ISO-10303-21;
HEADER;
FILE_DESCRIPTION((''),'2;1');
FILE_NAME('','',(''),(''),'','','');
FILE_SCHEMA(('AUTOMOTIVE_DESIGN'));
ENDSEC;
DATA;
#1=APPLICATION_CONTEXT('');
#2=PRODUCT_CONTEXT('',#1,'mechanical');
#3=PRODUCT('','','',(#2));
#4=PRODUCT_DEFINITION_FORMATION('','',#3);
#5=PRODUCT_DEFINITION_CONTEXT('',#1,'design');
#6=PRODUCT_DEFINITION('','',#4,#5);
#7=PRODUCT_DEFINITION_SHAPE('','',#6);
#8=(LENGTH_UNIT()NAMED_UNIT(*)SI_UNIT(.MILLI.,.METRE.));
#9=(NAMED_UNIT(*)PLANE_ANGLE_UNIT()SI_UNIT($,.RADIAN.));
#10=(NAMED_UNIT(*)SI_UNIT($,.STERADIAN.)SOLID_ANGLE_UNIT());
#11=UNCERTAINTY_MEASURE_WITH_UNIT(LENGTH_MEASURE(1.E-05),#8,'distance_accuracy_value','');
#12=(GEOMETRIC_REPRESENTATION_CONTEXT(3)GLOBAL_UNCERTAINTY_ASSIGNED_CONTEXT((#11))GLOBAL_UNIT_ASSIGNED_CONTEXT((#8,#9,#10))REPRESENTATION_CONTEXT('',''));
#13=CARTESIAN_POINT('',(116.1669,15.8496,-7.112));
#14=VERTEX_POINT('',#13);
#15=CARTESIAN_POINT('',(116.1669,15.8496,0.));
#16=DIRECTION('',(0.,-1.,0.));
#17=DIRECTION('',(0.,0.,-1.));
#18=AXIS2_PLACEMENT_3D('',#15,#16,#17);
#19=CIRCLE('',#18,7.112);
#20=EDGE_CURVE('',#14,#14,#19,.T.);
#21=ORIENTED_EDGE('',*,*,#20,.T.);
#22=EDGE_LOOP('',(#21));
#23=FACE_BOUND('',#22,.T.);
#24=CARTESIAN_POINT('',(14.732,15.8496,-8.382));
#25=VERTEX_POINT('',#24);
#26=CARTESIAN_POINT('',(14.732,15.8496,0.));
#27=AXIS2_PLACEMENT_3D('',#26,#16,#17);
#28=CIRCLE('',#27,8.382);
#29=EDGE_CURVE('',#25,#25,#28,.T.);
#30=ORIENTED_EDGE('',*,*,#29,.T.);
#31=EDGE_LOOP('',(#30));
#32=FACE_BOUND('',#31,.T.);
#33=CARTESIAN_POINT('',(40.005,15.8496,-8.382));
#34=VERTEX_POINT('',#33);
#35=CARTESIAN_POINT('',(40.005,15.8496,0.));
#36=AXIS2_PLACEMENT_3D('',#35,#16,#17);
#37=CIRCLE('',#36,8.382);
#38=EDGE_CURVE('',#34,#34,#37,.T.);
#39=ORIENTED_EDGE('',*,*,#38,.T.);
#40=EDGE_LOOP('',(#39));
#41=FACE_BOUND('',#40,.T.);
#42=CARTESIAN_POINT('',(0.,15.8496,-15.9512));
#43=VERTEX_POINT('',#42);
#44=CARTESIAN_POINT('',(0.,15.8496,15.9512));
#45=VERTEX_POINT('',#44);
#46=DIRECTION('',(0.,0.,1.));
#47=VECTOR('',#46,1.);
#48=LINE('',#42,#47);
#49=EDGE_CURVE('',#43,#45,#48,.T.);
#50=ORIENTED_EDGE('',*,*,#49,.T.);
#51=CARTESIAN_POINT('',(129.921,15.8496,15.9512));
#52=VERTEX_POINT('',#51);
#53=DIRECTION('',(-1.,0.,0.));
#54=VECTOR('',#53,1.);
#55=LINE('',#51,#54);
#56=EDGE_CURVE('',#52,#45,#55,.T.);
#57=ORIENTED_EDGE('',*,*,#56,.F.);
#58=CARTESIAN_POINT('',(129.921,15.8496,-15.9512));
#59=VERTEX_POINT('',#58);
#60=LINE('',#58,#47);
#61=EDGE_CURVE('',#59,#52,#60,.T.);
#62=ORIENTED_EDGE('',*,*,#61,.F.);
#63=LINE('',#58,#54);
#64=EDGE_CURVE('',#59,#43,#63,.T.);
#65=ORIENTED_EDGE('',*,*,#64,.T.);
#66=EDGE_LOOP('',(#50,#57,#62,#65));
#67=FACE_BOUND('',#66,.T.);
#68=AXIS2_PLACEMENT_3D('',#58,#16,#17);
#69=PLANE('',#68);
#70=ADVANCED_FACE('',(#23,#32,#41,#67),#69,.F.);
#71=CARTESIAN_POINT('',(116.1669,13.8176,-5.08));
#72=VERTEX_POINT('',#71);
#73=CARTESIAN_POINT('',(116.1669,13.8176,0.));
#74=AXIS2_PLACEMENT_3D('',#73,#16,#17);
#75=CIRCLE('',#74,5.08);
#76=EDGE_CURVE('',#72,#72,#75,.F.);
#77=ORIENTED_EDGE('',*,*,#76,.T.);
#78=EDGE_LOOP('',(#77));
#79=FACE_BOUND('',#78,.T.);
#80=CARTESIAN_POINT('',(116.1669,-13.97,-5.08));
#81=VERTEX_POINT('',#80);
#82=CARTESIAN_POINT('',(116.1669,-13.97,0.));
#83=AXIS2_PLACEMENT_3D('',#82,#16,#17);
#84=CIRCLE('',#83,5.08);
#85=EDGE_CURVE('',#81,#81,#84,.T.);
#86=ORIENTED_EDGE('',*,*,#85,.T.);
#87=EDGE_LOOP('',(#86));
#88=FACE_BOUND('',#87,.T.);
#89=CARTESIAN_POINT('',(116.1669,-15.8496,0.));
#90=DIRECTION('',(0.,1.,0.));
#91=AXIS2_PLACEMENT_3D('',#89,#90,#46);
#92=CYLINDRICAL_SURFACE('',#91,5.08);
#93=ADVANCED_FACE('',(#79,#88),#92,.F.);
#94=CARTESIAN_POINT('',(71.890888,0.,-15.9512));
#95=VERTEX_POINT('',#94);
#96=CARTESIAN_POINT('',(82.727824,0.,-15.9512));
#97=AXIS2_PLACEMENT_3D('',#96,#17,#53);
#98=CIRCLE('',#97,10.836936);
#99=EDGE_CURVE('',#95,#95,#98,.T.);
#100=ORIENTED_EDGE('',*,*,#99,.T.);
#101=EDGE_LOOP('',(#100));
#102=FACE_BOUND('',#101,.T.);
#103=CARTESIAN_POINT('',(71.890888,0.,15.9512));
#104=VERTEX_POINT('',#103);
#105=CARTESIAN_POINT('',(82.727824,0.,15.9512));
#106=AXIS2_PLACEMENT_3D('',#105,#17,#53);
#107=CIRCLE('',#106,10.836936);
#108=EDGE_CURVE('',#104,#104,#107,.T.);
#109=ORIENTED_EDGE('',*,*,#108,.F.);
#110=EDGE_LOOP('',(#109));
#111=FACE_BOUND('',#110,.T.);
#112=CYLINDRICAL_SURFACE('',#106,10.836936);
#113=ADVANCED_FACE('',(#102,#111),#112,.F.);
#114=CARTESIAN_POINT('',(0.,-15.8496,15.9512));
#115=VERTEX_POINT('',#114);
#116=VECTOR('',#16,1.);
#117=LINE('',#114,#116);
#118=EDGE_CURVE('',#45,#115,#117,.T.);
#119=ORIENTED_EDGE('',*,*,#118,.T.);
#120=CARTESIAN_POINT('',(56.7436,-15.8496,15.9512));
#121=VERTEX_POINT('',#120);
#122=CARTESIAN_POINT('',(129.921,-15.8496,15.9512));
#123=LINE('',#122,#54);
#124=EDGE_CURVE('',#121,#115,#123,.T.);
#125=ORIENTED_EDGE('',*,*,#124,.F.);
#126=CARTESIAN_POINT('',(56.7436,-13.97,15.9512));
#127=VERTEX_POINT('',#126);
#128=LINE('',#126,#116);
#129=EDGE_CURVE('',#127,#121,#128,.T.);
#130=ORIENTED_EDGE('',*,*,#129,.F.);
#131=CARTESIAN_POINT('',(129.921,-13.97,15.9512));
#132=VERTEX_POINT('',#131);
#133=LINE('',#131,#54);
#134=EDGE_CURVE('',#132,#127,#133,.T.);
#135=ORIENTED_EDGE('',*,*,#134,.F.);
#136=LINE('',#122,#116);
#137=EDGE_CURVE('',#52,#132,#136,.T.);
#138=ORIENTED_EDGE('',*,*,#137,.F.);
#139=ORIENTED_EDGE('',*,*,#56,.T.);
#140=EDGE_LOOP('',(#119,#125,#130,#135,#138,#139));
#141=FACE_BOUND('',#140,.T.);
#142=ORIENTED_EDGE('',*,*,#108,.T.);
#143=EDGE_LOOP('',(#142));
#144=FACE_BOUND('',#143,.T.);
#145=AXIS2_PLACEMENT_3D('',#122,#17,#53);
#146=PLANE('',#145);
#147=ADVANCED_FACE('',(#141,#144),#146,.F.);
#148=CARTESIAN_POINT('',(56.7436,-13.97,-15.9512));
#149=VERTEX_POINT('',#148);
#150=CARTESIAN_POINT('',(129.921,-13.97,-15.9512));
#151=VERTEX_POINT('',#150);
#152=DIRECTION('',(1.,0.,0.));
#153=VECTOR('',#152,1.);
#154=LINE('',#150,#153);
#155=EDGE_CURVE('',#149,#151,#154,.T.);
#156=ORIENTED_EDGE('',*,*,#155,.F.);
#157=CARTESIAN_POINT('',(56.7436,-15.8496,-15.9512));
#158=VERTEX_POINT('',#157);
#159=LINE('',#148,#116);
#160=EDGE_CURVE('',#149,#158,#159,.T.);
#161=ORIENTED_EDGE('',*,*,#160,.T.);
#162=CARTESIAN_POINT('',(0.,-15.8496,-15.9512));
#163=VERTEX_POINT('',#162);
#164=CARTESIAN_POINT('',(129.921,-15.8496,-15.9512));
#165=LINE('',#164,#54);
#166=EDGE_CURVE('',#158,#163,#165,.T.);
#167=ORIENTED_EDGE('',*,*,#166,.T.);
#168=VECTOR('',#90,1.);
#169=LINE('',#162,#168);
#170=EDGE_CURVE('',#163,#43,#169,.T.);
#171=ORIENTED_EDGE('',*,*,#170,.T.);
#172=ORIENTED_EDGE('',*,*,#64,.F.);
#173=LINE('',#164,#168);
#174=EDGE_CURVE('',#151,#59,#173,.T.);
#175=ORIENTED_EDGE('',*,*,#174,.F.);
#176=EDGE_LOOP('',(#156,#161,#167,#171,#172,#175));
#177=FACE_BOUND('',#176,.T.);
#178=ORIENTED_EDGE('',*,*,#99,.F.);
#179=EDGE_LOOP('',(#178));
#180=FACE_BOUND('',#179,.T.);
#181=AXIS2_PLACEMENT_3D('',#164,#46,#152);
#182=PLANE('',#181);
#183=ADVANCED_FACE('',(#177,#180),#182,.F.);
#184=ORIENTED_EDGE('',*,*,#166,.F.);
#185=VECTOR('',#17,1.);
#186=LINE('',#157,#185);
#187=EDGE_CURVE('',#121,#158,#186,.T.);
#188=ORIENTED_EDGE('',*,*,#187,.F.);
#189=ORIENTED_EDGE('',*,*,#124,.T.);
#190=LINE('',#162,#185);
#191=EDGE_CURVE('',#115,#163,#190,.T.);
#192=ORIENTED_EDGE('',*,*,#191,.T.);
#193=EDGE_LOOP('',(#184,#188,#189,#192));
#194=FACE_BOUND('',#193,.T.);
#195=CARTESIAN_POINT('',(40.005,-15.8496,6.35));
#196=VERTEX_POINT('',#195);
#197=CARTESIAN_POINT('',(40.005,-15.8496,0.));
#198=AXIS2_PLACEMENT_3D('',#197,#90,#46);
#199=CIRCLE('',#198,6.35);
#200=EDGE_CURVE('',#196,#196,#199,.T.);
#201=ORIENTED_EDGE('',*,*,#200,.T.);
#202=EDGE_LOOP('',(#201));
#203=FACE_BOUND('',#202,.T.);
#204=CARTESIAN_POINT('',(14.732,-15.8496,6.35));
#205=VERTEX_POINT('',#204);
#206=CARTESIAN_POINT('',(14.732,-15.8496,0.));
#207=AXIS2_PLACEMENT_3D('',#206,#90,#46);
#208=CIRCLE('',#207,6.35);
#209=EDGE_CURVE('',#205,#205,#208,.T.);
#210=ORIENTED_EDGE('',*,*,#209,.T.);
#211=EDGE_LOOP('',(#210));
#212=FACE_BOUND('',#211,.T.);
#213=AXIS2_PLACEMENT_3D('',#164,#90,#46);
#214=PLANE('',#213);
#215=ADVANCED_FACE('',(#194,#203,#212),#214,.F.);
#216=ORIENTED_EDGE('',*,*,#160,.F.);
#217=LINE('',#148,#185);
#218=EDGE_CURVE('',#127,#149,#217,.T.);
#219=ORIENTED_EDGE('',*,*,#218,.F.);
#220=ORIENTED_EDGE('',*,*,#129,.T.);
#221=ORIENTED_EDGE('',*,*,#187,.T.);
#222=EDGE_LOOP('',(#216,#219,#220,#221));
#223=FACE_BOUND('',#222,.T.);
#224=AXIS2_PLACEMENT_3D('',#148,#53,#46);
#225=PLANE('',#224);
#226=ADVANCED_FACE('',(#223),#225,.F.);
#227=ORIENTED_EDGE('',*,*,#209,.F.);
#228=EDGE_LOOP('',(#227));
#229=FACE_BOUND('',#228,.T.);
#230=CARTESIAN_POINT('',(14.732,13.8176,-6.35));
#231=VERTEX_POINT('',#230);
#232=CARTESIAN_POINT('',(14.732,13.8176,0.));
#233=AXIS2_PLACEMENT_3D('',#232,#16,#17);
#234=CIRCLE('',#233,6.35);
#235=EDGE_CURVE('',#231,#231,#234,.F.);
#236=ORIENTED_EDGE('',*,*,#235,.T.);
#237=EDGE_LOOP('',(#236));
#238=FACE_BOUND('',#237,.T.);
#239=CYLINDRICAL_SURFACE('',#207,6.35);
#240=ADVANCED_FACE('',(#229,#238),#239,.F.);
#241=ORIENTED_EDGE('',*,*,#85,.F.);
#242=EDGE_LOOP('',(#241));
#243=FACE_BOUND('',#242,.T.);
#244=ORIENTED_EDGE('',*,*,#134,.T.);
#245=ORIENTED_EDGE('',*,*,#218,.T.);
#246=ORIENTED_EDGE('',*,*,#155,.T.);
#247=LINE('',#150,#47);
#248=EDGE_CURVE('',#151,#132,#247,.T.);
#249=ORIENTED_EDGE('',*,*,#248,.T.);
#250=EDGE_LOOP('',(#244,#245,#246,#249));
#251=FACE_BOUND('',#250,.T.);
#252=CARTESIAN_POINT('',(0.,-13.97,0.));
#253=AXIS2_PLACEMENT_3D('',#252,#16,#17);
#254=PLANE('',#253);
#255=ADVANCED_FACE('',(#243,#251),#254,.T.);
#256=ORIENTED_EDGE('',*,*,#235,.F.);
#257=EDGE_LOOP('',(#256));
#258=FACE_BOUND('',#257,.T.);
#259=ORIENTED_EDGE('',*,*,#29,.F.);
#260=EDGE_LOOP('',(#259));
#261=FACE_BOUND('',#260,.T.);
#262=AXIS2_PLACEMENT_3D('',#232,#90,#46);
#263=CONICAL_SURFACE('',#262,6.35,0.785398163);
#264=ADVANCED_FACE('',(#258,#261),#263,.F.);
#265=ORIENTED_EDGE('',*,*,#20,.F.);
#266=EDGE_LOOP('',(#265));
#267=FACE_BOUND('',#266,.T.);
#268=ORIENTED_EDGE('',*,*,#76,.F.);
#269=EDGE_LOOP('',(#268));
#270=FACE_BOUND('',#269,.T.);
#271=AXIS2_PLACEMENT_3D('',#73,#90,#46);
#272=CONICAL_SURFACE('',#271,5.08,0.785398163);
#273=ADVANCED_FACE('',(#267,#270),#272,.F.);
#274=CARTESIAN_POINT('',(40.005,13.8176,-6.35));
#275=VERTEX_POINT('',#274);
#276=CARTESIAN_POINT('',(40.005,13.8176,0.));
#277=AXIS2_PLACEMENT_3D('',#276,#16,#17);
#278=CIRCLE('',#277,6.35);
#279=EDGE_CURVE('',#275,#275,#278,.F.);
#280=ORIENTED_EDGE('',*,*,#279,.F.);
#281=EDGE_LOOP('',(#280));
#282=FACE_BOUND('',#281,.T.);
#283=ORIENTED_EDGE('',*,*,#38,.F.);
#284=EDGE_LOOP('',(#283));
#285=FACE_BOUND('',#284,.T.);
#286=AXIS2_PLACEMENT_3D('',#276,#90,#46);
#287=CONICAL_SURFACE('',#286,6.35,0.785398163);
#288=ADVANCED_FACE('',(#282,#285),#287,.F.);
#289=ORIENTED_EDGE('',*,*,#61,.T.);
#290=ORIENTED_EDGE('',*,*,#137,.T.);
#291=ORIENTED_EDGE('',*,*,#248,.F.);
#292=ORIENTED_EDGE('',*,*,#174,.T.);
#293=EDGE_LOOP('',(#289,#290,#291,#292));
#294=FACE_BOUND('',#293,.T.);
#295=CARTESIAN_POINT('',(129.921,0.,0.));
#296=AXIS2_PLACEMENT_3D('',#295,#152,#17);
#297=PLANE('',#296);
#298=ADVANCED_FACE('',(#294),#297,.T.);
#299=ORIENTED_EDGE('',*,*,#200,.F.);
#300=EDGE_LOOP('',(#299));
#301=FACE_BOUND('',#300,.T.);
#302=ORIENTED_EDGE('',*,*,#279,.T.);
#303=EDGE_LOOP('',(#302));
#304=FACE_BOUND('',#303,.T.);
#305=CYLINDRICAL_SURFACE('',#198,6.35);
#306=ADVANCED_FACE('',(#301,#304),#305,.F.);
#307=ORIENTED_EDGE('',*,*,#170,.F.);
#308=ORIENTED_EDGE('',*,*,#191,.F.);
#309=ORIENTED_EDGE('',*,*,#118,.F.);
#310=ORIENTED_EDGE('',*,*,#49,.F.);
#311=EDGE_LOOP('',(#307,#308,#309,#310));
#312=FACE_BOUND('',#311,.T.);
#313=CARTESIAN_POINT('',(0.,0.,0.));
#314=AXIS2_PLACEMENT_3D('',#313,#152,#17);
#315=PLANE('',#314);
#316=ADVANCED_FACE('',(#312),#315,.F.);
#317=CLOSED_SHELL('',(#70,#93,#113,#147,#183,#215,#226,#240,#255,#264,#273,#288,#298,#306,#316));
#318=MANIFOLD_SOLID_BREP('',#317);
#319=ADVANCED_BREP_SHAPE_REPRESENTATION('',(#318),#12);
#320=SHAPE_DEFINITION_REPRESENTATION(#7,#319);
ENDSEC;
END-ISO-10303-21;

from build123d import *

# Parameters (mm, degrees)
SKETCH1_W           = 31.9024
SKETCH1_H           = 31.6992
BOSS_EXTRUDE1_DEPTH = 129.921
SKETCH2_W           = 73.1774
SKETCH2_H           = 31.9024
CUT_EXTRUDE1_DEPTH  = 1.8796
SKETCH4_R           = 6.35
SKETCH4_R_2         = 5.08
CUT_EXTRUDE2_DEPTH  = 135.68016299
CHAMFER2_SIZE       = 2.032
SKETCH9_R           = 10.836935607
CUT_EXTRUDE3_DEPTH  = 135.716143008


with BuildPart() as part:
    # Sketch1 → Boss-Extrude1 (new body)
    with BuildSketch(Plane(origin=(0, 0, 0), x_dir=(0, 0, -1), z_dir=(1, 0, 0))):
        Rectangle(SKETCH1_W, SKETCH1_H)
    extrude(amount=BOSS_EXTRUDE1_DEPTH)

    # Sketch2 → Cut-Extrude1 (cut)
    with BuildSketch(Plane.XZ.offset(15.8496)):
        with Locations((93.3323, 0)):
            Rectangle(SKETCH2_W, SKETCH2_H)
    extrude(amount=-CUT_EXTRUDE1_DEPTH, mode=Mode.SUBTRACT)

    # Sketch4 → Cut-Extrude2 (cut, through all)
    with BuildSketch(Plane(origin=(0, 15.8496, 0), x_dir=(1, 0, 0), z_dir=(0, 1, 0))):
        with Locations(Location((40.005, 0, 0), (0, 0, 270))):
            Circle(SKETCH4_R)
        with Locations(Location((14.732, 0, 0), (0, 0, 270))):
            Circle(SKETCH4_R)
        with Locations(Location((116.1669, 0, 0), (0, 0, 270))):
            Circle(SKETCH4_R_2)
    extrude(amount=-CUT_EXTRUDE2_DEPTH, mode=Mode.SUBTRACT)

    # Chamfer2
    chamfer2_edges = [part.edges().sort_by_distance(p)[0] for p in [
        (116.1669, 15.8496, -5.08),
        (14.732, 15.8496, -6.35),
        (40.005, 15.8496, -6.35),
    ]]
    chamfer(chamfer2_edges, length=CHAMFER2_SIZE)

    # Sketch9 → Cut-Extrude3 (cut, through all)
    with BuildSketch(Plane(origin=(0, 0, -15.9512), x_dir=(-1, 0, 0), z_dir=(0, 0, -1))):
        with Locations((-82.727824096, 0)):
            Circle(SKETCH9_R)
    extrude(amount=-CUT_EXTRUDE3_DEPTH, mode=Mode.SUBTRACT)


solid = part.part
